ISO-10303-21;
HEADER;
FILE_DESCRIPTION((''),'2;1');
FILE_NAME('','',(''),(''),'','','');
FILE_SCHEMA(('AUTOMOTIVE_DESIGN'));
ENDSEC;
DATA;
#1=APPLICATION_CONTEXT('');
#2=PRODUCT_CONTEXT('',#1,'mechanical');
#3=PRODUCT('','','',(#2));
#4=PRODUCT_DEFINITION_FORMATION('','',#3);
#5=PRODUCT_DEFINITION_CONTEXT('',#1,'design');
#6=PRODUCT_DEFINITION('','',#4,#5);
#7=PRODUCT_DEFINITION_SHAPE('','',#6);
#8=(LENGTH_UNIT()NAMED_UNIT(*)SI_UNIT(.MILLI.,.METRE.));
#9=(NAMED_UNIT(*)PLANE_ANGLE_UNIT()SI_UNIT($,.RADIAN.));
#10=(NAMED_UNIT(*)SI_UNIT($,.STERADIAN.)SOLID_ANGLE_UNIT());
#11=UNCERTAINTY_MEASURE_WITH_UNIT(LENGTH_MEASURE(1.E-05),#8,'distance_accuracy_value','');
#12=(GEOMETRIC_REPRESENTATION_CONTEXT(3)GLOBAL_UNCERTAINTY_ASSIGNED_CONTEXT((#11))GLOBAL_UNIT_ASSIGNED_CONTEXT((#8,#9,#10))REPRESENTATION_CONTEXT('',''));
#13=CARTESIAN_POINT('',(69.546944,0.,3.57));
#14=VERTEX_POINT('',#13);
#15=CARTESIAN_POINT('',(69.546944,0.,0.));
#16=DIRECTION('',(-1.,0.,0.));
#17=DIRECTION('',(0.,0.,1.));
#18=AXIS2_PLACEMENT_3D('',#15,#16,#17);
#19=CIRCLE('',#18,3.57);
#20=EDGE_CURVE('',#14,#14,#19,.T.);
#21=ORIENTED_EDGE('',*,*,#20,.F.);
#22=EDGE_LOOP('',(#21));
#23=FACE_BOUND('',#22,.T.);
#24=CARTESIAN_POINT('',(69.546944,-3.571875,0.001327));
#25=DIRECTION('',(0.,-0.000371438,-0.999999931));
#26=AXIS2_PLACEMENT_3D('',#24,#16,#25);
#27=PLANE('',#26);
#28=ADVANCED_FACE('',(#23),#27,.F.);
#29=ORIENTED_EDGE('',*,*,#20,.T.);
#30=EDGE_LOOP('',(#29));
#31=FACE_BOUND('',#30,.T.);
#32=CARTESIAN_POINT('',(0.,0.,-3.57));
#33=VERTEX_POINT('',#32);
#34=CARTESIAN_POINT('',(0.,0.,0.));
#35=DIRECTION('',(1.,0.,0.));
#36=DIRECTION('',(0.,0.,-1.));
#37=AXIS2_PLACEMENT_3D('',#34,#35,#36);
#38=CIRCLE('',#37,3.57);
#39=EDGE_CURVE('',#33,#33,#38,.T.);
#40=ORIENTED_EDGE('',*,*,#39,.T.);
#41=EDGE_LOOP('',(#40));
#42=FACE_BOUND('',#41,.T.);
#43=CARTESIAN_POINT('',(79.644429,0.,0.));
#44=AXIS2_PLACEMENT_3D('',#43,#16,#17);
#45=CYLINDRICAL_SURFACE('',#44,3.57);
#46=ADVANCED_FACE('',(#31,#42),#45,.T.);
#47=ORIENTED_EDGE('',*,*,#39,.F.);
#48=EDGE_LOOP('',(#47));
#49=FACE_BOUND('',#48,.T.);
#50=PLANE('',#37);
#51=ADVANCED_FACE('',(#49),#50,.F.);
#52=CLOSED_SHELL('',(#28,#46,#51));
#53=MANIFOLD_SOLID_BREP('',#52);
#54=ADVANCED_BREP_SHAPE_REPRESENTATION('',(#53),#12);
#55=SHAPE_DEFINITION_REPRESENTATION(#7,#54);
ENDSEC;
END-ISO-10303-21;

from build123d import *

# Parameters (mm, degrees)
SKETCH1_R           = 3.57
BOSS_EXTRUDE2_DEPTH = 69.54694372


with BuildPart() as part:
    # Sketch1 → Boss-Extrude2 (new body)
    with BuildSketch(Plane(origin=(0, 0, 0), x_dir=(0, 0, -1), z_dir=(1, 0, 0))):
        with Locations(Location((0, 0, 0), (0, 0, 180))):
            Circle(SKETCH1_R)
    extrude(amount=BOSS_EXTRUDE2_DEPTH)


solid = part.part
